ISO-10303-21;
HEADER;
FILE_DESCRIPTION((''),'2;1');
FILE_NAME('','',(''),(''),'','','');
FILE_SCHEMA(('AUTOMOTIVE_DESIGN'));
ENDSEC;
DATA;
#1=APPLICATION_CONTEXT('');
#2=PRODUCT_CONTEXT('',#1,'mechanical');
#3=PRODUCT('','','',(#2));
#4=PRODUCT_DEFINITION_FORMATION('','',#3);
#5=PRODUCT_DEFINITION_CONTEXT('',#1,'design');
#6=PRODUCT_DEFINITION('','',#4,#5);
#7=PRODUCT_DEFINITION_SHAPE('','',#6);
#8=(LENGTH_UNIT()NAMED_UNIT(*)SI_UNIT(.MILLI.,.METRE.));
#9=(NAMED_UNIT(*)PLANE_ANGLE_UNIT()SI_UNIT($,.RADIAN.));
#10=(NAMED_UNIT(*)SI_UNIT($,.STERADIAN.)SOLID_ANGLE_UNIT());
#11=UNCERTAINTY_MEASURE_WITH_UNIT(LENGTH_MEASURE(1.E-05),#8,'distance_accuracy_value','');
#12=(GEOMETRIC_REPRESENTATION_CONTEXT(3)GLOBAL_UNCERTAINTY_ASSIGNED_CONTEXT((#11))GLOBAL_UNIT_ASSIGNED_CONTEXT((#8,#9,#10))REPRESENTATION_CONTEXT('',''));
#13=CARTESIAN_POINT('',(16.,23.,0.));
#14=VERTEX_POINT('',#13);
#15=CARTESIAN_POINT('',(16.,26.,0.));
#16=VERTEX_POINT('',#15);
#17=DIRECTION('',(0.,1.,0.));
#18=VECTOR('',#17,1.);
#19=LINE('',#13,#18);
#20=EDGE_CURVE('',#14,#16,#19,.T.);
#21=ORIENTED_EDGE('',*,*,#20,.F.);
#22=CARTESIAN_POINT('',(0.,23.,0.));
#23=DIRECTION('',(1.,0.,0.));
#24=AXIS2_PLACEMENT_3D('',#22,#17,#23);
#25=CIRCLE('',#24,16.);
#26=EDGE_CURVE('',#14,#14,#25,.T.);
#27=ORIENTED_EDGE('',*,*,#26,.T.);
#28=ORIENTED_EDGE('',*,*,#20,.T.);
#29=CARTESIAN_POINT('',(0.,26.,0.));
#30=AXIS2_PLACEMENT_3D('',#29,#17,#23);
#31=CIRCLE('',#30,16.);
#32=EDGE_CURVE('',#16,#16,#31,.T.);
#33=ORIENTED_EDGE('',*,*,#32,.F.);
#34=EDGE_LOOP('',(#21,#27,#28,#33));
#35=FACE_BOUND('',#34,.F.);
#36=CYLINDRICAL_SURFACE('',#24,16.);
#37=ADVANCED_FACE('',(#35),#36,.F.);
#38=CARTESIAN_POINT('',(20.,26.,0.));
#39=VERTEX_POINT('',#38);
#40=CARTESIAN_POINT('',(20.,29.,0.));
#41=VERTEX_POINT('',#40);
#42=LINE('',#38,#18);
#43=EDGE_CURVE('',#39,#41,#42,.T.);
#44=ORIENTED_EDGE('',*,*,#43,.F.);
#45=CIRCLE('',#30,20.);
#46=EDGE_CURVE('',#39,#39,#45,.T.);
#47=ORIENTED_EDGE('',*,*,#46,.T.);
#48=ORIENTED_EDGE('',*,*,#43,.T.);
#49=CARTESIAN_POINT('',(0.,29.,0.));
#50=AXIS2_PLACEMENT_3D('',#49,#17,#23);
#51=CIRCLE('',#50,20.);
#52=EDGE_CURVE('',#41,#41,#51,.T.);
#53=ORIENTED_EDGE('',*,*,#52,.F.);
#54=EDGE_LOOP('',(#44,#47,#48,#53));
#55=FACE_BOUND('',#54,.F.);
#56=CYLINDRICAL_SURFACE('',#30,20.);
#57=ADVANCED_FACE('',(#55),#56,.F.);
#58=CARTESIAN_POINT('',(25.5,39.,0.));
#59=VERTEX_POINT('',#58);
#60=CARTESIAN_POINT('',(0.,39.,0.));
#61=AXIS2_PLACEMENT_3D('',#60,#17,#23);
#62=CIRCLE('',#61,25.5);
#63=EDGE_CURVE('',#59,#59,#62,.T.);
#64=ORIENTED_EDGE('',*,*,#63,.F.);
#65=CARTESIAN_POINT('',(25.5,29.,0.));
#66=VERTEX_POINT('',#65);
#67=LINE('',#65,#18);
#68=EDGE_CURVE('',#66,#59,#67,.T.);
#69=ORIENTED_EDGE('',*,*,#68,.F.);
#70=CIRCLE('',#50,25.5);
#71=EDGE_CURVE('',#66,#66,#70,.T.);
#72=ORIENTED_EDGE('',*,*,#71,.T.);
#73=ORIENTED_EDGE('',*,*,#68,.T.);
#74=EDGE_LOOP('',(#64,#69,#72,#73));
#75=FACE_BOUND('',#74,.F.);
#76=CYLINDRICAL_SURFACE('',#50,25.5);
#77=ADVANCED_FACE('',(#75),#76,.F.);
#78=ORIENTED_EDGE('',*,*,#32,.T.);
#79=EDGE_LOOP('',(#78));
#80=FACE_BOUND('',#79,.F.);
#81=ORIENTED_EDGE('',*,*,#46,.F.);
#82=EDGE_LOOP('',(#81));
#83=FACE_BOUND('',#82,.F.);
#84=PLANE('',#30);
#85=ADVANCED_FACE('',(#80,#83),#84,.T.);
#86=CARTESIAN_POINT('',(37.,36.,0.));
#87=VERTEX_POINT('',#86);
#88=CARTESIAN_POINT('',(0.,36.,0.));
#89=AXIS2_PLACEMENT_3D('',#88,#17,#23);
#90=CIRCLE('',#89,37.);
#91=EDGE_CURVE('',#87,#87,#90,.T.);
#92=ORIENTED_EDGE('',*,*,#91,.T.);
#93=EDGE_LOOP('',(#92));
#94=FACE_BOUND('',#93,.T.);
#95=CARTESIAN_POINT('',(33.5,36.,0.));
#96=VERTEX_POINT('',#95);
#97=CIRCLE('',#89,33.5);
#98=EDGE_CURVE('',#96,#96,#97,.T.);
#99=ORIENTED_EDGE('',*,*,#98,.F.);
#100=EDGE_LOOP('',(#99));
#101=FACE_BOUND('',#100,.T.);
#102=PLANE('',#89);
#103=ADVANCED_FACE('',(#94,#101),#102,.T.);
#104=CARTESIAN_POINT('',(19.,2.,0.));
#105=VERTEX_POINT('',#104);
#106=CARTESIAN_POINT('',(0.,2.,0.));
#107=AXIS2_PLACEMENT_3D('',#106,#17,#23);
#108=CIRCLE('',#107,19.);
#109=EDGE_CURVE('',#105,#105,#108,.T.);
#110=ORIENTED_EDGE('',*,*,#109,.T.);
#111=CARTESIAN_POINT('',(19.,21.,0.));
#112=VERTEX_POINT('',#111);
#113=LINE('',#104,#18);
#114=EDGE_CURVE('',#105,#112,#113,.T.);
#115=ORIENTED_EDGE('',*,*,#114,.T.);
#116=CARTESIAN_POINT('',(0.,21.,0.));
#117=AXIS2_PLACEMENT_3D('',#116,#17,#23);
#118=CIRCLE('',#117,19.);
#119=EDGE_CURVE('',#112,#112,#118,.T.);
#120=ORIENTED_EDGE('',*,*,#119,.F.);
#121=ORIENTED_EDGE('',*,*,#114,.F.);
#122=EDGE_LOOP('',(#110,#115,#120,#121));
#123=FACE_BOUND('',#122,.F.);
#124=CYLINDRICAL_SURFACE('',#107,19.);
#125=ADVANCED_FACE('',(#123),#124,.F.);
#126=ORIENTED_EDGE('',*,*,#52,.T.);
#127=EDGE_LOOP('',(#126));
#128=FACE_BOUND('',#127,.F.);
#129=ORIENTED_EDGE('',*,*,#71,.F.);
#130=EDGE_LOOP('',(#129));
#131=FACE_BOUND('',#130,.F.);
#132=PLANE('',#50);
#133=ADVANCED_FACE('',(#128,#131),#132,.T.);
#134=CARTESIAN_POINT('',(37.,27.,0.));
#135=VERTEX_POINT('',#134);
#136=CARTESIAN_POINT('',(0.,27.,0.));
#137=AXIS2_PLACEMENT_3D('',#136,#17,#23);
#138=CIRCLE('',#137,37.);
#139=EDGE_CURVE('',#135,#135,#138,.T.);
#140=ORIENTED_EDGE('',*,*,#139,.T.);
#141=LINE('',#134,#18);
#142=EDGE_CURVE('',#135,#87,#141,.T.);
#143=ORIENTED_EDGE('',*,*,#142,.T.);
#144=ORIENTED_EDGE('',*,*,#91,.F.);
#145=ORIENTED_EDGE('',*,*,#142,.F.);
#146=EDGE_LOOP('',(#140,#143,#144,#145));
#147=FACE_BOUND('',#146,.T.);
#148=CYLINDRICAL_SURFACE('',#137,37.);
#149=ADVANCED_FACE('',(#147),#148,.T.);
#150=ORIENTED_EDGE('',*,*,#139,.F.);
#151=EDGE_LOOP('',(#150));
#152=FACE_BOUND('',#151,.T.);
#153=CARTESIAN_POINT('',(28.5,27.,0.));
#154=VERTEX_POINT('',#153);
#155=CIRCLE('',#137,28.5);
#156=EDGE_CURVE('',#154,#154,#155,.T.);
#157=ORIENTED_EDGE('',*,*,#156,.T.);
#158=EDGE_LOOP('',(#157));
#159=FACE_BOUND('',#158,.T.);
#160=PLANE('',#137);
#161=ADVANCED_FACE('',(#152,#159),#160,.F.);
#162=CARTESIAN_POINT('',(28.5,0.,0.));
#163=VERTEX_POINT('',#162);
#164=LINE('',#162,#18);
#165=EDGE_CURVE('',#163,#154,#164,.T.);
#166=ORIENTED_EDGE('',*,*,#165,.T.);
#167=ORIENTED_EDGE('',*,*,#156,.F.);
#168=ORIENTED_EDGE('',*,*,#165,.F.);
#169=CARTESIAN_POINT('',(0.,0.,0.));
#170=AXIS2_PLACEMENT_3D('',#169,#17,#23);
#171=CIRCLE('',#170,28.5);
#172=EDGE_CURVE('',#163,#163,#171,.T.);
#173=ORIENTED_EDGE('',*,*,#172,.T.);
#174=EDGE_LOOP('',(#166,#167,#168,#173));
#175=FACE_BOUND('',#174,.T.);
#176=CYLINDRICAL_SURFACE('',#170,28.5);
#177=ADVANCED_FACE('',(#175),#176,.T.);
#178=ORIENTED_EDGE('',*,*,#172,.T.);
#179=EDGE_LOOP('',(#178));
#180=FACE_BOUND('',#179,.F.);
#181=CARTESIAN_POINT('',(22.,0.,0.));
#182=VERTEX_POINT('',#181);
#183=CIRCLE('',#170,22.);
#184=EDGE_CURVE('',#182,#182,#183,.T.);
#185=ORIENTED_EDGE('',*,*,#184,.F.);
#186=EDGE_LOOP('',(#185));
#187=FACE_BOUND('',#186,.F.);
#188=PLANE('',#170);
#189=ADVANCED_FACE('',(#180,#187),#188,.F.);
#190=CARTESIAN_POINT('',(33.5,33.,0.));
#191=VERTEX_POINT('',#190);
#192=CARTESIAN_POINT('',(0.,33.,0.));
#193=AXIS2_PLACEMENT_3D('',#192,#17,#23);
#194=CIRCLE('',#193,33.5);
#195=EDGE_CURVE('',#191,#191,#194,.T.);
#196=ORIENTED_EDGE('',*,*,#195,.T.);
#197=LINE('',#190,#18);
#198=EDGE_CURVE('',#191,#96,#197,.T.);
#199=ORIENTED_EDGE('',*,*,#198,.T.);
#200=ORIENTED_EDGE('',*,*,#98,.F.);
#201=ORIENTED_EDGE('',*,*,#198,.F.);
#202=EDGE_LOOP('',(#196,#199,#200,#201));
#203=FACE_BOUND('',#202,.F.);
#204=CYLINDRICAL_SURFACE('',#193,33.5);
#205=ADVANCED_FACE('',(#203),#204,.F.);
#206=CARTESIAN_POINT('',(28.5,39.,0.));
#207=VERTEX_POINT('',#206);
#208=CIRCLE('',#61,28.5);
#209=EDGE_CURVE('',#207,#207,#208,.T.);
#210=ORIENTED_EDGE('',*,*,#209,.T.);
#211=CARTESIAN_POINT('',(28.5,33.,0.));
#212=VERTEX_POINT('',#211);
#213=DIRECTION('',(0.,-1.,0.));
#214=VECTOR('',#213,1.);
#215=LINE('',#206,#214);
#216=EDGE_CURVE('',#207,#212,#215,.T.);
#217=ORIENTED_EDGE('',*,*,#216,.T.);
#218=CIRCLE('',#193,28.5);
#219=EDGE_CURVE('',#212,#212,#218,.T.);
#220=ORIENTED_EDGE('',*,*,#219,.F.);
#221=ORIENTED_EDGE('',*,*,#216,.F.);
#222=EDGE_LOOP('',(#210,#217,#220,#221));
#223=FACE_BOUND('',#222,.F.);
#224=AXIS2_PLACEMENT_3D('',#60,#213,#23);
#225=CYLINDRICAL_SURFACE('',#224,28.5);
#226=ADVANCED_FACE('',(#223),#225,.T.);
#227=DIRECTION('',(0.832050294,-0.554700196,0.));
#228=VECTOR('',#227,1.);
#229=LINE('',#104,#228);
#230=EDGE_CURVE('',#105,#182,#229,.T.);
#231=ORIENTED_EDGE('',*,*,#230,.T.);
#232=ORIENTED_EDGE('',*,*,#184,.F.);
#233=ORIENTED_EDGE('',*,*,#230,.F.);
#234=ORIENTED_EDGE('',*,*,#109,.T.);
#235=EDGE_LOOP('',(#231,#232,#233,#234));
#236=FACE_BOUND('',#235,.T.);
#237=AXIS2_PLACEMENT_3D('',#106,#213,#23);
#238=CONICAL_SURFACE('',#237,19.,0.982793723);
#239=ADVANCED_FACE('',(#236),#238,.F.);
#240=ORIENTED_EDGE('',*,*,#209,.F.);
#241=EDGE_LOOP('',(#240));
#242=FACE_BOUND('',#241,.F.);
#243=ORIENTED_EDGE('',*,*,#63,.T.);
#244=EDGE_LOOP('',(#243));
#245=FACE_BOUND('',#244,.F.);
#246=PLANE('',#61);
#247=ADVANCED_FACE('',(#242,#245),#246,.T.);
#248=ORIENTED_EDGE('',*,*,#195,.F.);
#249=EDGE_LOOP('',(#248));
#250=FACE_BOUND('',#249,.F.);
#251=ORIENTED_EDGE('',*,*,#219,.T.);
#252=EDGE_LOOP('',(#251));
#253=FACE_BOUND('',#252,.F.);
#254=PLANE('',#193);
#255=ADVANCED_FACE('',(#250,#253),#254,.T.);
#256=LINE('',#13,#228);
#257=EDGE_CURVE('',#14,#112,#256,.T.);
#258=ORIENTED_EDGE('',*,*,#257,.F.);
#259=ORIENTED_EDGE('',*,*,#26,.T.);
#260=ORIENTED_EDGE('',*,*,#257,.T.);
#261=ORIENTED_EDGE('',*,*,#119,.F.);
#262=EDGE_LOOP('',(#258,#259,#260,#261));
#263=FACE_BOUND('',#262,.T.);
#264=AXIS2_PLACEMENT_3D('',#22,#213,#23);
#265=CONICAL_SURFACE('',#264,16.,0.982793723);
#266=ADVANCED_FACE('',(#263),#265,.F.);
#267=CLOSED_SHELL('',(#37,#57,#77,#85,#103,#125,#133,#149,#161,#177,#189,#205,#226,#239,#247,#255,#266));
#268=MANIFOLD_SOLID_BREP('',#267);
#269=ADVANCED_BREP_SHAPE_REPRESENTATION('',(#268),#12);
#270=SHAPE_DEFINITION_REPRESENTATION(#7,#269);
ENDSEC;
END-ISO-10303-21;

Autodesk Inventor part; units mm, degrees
ref_plane "YZ Plane" through (0, 0, 0) normal (1, 0, 0) x (0, 1, 0)
ref_plane "XZ Plane" through (0, 0, 0) normal (0, 1, 0) x (-1, 0, 0)
ref_plane "XY Plane" through (0, 0, 0) normal (0, 0, 1) x (1, 0, 0)
sketch "Sketch1" plane through (0, 0, 0) normal (0, 0, 1) x (1, 0, 0)
  line L0 (0, 0) -> (28.5, 0) construction
  line L1 (28.5, 0) -> (28.5, 27)
  line L2 (0, 0) -> (19, 0) construction
  line L3 (19, 0) -> (22, 0) construction
  line L4 (28.5, 0) -> (22, 0)
  line L5 (19, 0) -> (19, 2) construction
  line L6 (19, 2) -> (22, 0)
  line L7 (19, 2) -> (19, 21)
  line L8 (19, 21) -> (16, 21) construction
  line L9 (16, 21) -> (16, 23) construction
  line L10 (16, 23) -> (19, 21)
  line L11 (16, 23) -> (16, 26)
  line L12 (16, 26) -> (20, 26)
  line L13 (20, 26) -> (20, 29)
  line L14 (20, 29) -> (25.5, 29)
  line L15 (25.5, 29) -> (25.5, 39)
  line L16 (25.5, 39) -> (28.5, 39)
  line L17 (28.5, 39) -> (28.5, 33)
  line L18 (28.5, 33) -> (33.5, 33)
  line L19 (33.5, 33) -> (33.5, 36)
  line L20 (28.5, 27) -> (37, 27)
  line L21 (37, 27) -> (37, 36)
  line L22 (37, 36) -> (33.5, 36)
  line L23 (0, 0) -> (0, 8.384) construction
  dimension "d0" = 28.5
  dimension "d1" = 27
  dimension "d2" = 19
  dimension "d3" = 3
  dimension "d4" = 2
  dimension "d5" = 21
  dimension "d6" = 3
  dimension "d7" = 2
  dimension "d8" = 3
  dimension "d17" = 3
  dimension "d18" = 5.5
  dimension "d19" = 4
  dimension "d20" = 10
  dimension "d21" = 3
  dimension "d22" = 6
  dimension "d23" = 5
  dimension "d24" = 3
  dimension "d25" = 8.5
revolve "Revolution1" add sketch "Sketch1" angle 360 about axis through (0, 0, 0) along (0, 1, 0)
properties part number "Body Cap Base Feature" material "Bronze, Soft Tin"
